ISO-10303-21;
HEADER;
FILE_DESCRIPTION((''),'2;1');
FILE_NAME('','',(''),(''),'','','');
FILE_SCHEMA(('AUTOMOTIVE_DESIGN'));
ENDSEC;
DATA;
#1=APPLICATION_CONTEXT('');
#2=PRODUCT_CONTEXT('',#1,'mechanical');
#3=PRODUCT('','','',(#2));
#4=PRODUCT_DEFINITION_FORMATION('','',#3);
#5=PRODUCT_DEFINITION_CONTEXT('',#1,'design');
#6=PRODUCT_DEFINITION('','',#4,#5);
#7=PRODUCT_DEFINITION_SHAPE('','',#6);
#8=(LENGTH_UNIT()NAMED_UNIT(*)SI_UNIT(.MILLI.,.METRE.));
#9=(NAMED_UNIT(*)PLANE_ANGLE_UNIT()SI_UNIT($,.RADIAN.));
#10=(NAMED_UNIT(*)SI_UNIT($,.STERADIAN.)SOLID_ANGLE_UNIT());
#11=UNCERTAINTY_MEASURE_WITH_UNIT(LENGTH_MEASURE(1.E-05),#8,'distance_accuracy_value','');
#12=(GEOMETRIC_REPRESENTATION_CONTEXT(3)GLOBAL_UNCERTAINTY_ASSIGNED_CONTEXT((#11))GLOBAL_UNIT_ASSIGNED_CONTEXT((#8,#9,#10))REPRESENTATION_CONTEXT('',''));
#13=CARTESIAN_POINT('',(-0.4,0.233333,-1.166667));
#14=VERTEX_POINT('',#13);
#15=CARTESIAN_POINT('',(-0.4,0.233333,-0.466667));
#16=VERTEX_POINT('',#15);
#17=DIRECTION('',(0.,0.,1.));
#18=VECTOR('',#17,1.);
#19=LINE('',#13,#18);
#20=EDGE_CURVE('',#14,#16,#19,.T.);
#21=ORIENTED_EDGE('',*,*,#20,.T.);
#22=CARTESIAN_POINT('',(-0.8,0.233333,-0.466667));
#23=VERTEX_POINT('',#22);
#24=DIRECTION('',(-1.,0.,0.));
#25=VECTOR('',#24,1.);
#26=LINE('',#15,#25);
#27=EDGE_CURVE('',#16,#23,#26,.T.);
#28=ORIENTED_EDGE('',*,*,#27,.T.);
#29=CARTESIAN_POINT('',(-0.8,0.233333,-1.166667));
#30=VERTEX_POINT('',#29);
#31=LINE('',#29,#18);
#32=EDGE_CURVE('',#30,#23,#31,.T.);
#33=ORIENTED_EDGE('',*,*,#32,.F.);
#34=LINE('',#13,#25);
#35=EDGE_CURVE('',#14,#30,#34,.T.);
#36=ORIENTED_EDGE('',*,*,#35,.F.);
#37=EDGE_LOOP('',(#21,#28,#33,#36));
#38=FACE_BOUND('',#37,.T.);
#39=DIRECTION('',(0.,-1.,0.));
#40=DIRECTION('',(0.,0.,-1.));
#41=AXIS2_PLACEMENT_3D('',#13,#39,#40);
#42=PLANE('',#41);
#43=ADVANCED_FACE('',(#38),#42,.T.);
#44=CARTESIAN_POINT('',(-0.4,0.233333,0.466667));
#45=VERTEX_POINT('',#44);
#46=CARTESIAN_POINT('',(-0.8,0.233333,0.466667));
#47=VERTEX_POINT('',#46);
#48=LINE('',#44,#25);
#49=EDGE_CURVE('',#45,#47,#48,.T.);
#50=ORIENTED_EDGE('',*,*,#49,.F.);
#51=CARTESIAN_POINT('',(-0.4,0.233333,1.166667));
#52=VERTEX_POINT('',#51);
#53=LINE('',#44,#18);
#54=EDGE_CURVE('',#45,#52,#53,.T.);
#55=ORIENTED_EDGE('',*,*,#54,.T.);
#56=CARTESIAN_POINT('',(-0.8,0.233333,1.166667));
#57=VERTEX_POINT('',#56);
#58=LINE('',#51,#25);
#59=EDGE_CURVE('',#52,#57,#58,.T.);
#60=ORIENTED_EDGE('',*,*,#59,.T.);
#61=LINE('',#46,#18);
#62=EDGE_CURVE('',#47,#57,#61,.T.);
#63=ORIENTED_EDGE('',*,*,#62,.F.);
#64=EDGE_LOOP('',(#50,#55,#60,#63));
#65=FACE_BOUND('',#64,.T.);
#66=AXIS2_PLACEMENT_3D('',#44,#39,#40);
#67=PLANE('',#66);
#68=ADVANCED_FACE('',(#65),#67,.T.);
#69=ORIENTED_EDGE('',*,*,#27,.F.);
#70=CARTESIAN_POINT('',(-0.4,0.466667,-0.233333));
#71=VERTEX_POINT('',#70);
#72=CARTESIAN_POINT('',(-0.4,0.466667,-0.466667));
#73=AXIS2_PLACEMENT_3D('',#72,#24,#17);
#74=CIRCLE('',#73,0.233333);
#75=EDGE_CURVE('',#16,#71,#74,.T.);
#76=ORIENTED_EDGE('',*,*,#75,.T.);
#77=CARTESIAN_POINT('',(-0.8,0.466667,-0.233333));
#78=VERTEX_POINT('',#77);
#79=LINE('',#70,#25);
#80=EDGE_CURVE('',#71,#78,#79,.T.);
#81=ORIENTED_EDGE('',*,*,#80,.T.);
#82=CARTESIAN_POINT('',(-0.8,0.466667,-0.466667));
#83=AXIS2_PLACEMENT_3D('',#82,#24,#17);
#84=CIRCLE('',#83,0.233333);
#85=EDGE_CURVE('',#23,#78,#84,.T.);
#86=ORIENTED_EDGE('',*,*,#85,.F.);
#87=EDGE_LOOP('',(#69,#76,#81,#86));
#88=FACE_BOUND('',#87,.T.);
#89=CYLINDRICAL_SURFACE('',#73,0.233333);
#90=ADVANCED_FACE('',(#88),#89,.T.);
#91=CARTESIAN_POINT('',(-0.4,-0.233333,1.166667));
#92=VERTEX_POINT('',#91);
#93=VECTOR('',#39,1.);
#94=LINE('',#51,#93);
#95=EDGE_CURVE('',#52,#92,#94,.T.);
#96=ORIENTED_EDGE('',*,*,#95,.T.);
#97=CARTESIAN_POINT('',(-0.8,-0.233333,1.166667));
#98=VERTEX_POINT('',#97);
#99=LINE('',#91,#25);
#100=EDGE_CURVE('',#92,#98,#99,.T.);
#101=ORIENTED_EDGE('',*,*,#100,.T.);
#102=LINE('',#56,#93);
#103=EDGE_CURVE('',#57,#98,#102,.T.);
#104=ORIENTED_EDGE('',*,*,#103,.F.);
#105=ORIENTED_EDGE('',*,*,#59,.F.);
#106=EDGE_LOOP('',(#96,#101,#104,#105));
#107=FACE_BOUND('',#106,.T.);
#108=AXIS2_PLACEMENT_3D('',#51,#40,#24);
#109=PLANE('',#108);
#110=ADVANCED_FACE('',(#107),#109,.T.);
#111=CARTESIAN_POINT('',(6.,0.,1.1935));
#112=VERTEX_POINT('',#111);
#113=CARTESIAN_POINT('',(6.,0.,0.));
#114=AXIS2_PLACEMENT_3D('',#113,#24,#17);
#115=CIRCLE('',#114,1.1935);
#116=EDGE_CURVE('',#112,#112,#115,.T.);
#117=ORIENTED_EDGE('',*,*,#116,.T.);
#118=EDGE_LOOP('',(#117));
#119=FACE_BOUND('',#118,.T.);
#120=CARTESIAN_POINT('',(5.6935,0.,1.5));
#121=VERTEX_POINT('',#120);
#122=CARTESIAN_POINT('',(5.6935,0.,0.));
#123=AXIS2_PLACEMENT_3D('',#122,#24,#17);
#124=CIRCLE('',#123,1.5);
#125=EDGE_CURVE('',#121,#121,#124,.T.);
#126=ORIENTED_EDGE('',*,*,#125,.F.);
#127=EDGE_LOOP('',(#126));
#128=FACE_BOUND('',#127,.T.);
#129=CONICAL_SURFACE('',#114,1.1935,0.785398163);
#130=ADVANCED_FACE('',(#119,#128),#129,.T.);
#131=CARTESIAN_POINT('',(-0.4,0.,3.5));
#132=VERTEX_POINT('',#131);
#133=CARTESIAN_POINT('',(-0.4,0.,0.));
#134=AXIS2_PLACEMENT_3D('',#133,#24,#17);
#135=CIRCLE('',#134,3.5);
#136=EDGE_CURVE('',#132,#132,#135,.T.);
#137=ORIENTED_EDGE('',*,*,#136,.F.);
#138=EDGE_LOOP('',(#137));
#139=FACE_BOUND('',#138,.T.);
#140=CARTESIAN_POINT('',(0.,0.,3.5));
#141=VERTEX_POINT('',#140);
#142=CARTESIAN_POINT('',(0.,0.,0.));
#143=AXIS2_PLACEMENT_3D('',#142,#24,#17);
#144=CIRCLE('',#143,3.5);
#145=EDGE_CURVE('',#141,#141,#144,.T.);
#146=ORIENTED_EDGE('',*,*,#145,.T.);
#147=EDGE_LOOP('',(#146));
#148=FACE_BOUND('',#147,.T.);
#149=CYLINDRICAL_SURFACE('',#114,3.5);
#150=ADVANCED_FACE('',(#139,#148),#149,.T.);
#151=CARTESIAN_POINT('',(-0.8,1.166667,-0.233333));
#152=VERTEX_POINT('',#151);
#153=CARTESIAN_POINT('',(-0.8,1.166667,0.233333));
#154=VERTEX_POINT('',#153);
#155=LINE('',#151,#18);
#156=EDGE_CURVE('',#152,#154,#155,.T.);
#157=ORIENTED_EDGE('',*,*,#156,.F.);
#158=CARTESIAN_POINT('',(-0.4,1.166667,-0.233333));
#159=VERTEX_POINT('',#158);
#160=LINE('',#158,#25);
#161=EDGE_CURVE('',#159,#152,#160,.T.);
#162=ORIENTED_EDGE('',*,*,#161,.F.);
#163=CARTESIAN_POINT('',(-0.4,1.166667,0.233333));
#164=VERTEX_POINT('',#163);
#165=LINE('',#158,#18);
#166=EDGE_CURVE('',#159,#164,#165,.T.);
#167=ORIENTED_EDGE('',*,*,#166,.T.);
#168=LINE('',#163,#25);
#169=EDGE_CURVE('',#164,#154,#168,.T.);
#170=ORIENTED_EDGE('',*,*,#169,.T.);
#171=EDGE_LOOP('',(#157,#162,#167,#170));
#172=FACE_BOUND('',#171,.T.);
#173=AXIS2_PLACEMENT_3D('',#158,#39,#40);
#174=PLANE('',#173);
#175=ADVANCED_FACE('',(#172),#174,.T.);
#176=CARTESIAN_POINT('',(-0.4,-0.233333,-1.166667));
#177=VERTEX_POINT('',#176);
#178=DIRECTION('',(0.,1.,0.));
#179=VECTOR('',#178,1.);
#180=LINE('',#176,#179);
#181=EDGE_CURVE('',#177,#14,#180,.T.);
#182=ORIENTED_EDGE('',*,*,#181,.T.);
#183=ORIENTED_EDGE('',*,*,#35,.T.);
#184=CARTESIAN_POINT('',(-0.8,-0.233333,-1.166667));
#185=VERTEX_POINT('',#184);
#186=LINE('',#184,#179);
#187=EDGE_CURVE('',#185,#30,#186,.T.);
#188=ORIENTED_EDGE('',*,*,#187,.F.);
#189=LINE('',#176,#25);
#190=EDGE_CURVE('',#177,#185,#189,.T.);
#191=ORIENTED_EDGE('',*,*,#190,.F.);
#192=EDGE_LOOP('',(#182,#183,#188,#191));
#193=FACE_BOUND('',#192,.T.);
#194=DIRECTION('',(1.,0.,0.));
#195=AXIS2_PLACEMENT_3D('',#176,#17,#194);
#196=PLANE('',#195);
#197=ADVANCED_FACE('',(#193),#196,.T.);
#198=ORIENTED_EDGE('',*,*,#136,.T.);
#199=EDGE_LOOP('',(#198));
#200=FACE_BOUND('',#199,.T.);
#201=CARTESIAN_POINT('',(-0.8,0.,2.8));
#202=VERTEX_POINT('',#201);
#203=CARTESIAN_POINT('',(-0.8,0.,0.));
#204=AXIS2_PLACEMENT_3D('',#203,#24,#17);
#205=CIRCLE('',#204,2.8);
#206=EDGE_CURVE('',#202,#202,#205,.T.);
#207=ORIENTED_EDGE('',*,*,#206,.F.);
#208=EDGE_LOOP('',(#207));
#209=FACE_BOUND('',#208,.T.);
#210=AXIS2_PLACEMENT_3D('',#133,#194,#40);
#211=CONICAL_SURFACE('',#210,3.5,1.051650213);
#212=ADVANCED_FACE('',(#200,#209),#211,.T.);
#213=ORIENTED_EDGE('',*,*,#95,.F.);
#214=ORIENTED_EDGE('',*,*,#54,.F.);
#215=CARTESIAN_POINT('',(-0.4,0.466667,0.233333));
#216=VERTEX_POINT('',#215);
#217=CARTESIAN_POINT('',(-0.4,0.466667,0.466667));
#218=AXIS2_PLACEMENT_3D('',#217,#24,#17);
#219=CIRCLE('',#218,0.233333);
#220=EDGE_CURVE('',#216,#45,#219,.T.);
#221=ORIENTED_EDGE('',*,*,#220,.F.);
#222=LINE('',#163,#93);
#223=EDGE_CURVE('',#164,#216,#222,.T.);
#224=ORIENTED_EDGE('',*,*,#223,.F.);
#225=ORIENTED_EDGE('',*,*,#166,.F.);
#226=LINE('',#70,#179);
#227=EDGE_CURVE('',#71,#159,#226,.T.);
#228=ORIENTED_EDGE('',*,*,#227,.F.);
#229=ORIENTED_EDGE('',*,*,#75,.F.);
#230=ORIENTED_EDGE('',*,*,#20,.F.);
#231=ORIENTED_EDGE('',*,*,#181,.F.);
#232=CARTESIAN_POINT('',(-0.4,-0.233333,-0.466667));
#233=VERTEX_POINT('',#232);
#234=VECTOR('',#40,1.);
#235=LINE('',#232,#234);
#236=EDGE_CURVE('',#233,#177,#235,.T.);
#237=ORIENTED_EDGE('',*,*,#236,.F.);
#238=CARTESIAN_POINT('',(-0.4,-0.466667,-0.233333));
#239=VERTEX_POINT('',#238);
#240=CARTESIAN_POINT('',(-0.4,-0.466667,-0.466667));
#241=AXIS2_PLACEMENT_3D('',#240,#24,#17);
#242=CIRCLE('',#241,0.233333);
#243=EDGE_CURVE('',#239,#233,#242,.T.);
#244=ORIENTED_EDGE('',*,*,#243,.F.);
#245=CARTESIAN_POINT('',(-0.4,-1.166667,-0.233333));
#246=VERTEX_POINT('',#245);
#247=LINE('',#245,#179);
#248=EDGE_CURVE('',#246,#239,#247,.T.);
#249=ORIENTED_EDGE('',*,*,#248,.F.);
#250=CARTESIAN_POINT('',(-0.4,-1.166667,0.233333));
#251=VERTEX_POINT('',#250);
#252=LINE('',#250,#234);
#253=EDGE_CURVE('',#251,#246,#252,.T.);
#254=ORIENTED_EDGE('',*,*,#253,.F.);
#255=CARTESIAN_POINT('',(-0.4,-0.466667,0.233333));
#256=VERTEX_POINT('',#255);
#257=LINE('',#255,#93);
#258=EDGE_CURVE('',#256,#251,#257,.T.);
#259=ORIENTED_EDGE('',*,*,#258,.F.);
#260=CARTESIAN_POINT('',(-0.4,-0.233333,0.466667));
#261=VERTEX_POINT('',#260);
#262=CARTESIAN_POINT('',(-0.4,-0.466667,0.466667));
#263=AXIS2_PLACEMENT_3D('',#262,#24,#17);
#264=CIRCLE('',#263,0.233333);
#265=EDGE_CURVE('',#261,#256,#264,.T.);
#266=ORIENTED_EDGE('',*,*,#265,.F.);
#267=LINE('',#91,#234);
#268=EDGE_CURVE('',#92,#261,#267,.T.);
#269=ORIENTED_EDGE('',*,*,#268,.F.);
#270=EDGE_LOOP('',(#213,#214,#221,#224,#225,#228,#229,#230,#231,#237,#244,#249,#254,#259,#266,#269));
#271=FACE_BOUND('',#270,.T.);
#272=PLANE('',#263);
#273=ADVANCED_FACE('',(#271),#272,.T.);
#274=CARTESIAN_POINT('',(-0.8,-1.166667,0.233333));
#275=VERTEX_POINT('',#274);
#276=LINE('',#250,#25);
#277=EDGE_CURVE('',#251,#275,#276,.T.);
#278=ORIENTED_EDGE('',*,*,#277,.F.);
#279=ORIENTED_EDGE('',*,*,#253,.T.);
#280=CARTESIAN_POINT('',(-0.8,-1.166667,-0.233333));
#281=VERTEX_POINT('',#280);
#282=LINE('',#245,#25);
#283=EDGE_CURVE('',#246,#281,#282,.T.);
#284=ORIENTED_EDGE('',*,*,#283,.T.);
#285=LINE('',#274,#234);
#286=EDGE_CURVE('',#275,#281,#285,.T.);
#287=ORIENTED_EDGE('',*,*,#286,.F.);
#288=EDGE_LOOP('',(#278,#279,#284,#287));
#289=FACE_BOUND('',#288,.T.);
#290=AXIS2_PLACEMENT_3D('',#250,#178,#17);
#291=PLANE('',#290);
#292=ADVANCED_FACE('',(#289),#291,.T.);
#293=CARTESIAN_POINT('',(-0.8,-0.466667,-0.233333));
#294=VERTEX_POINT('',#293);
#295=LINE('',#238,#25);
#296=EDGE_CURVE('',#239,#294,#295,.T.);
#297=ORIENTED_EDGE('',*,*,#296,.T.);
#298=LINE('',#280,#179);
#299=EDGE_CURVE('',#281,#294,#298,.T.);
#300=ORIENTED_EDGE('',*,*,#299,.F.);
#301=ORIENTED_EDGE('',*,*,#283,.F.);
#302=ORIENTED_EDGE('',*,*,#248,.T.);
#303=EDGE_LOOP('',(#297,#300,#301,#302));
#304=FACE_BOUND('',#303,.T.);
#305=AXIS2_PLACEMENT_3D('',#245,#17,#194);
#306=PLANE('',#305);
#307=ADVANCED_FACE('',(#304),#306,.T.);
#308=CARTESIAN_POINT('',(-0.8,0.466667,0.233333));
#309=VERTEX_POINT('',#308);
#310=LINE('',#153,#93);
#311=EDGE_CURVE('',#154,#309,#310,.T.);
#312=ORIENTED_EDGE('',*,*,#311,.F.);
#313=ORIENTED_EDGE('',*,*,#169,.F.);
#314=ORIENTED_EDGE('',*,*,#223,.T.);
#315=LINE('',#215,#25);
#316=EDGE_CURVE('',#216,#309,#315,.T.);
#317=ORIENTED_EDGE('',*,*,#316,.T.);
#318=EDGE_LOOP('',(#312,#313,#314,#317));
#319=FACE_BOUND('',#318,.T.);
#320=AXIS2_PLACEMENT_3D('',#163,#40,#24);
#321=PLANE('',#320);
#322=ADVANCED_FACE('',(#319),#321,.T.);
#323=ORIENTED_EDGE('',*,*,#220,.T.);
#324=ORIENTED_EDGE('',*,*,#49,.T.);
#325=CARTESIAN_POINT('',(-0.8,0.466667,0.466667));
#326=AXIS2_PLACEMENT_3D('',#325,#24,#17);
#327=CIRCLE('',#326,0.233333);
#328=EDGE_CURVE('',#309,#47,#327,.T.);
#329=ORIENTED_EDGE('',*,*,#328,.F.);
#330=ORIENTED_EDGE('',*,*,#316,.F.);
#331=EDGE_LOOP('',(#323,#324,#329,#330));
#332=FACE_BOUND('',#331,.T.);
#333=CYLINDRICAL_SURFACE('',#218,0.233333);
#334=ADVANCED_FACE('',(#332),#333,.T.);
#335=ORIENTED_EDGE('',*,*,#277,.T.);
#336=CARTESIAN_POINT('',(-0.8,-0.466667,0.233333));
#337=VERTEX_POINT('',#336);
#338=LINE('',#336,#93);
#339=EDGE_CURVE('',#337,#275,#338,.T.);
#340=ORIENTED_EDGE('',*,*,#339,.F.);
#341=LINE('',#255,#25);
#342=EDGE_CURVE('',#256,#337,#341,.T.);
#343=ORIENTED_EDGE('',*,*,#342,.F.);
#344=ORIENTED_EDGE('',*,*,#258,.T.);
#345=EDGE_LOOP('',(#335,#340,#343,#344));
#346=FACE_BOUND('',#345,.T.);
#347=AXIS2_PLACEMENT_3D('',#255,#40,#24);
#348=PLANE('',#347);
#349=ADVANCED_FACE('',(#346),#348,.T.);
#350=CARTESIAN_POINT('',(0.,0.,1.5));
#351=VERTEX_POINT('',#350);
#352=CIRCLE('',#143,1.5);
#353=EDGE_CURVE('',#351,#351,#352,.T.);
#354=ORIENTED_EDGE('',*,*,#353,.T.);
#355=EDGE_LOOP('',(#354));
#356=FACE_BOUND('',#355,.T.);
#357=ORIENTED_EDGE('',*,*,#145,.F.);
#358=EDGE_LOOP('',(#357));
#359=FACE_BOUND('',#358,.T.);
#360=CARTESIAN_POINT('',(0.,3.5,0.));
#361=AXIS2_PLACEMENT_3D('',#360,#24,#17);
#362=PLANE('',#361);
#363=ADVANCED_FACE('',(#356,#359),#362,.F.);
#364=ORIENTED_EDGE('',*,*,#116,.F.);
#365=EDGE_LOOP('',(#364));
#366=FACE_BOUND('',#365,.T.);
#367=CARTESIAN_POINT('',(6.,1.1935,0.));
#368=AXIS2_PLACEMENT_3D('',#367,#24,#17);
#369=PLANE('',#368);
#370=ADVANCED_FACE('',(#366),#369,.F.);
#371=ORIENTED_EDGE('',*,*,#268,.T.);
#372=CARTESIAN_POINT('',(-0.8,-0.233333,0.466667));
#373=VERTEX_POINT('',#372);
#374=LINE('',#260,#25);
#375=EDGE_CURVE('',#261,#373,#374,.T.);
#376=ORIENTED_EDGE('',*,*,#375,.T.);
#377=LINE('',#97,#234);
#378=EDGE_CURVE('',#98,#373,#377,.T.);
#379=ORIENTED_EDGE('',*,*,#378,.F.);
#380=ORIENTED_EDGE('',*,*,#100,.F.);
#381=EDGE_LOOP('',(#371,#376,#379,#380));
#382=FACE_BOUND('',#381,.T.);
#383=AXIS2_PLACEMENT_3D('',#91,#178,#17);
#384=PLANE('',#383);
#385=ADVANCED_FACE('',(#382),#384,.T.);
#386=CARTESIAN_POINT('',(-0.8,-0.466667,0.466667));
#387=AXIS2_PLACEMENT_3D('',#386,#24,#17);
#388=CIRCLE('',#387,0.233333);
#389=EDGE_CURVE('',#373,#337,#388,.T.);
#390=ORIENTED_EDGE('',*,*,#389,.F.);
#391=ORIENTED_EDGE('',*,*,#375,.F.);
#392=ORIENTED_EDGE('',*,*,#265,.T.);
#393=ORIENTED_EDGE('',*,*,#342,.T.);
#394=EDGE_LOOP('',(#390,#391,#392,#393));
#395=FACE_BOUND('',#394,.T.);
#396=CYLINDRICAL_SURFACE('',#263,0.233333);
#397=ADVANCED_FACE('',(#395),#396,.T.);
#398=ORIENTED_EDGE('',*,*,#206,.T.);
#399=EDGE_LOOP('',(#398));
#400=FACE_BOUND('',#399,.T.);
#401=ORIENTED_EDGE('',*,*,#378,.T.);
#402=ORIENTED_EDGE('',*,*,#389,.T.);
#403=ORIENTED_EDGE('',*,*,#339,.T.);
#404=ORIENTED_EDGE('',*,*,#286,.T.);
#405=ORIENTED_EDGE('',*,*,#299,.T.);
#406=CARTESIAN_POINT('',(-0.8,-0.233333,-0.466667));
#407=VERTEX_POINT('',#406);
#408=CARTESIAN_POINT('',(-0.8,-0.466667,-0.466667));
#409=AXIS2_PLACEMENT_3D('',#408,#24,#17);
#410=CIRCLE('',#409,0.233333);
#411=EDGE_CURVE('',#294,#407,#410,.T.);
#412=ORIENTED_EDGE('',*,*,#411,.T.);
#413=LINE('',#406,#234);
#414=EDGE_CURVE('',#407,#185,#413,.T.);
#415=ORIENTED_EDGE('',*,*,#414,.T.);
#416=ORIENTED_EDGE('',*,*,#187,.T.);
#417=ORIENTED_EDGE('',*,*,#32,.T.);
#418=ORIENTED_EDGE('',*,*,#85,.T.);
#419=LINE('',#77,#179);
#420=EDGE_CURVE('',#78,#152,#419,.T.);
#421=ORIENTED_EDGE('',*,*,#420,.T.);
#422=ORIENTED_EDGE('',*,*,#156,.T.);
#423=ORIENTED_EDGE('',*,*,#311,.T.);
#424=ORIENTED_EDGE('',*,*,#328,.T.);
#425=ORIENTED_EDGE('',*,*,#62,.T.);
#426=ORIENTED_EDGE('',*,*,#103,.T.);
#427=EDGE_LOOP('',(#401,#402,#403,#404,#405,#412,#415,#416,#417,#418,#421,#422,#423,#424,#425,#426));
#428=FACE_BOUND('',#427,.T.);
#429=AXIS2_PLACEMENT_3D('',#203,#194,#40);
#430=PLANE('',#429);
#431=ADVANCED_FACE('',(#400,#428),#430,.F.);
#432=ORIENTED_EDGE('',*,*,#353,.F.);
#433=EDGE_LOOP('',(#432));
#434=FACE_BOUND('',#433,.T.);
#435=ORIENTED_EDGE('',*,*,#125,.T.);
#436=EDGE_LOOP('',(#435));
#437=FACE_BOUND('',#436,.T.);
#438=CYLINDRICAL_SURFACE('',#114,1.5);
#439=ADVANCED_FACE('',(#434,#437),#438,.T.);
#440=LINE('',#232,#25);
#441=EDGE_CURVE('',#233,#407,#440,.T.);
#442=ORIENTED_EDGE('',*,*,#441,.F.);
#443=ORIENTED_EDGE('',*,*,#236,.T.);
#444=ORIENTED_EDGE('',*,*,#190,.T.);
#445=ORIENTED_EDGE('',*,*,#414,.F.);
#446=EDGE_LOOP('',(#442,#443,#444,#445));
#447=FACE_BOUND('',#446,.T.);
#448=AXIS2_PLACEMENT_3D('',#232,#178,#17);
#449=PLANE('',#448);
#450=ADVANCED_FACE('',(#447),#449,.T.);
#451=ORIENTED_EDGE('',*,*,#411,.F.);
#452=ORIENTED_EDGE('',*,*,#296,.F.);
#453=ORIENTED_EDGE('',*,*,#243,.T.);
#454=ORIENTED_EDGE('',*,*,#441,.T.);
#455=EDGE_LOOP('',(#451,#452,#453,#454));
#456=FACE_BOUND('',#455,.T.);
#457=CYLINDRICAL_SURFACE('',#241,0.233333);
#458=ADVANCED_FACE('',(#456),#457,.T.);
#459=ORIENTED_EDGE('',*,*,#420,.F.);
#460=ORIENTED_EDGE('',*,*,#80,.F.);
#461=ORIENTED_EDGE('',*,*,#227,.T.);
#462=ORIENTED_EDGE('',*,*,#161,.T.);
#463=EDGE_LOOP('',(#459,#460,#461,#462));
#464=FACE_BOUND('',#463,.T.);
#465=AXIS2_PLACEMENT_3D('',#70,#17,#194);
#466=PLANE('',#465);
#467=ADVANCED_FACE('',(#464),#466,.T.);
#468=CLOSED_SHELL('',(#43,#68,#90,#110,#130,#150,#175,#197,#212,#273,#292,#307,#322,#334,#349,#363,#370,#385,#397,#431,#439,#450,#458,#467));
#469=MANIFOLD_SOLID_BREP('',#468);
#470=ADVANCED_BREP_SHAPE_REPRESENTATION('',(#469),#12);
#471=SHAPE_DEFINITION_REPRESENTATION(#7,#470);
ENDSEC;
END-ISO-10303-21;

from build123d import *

# Parameters (mm, degrees)
CUT_EXTRUDE1_DEPTH = 0.4


with BuildPart() as part:
    # Sketch1 → Revolve1 (revolve)
    with BuildSketch(Plane.XY):
        Polygon((-0.8, 0), (-0.8, 2.8), (-0.4, 3.5), (0, 3.5), (0, 1.5), (5.6935, 1.5), (6, 1.1935), (6, 0), align=None)
    revolve(axis=Axis((6, 0, 0), (-1, 0, 0)))

    # Sketch2 → Cut-Extrude1 (cut)
    with BuildSketch(Plane(origin=(-0.8, 0, 0), x_dir=(0, 0, -1), z_dir=(1, 0, 0))):
        with BuildLine():
            Line((-1.166666667, 0.233333357), (-1.166666667, -0.233333333))
            Line((-1.166666667, -0.233333333), (-0.46666669, -0.233333333))
            ThreePointArc((-0.46666669, -0.233333333), (-0.301675108, -0.301675084), (-0.233333357, -0.466666667))
            Line((-0.233333357, -0.466666667), (-0.233333357, -1.166666667))
            Line((-0.233333357, -1.166666667), (0.233333333, -1.166666667))
            Line((0.233333333, -1.166666667), (0.233333333, -0.466666667))
            ThreePointArc((0.233333333, -0.466666667), (0.301675084, -0.301675084), (0.466666667, -0.233333333))
            Line((0.466666667, -0.233333333), (1.166666667, -0.233333333))
            Line((1.166666667, -0.233333333), (1.166666667, 0.233333357))
            Line((1.166666667, 0.233333357), (0.466666667, 0.233333357))
            ThreePointArc((0.466666667, 0.233333357), (0.301675084, 0.301675108), (0.233333333, 0.46666669))
            Line((0.233333333, 0.46666669), (0.233333333, 1.166666667))
            Line((0.233333333, 1.166666667), (-0.233333357, 1.166666667))
            Line((-0.233333357, 1.166666667), (-0.233333357, 0.46666669))
            ThreePointArc((-0.233333357, 0.46666669), (-0.301675108, 0.301675108), (-0.46666669, 0.233333357))
            Line((-0.46666669, 0.233333357), (-1.166666667, 0.233333357))
        make_face()
    extrude(amount=CUT_EXTRUDE1_DEPTH, mode=Mode.SUBTRACT)


solid = part.part
